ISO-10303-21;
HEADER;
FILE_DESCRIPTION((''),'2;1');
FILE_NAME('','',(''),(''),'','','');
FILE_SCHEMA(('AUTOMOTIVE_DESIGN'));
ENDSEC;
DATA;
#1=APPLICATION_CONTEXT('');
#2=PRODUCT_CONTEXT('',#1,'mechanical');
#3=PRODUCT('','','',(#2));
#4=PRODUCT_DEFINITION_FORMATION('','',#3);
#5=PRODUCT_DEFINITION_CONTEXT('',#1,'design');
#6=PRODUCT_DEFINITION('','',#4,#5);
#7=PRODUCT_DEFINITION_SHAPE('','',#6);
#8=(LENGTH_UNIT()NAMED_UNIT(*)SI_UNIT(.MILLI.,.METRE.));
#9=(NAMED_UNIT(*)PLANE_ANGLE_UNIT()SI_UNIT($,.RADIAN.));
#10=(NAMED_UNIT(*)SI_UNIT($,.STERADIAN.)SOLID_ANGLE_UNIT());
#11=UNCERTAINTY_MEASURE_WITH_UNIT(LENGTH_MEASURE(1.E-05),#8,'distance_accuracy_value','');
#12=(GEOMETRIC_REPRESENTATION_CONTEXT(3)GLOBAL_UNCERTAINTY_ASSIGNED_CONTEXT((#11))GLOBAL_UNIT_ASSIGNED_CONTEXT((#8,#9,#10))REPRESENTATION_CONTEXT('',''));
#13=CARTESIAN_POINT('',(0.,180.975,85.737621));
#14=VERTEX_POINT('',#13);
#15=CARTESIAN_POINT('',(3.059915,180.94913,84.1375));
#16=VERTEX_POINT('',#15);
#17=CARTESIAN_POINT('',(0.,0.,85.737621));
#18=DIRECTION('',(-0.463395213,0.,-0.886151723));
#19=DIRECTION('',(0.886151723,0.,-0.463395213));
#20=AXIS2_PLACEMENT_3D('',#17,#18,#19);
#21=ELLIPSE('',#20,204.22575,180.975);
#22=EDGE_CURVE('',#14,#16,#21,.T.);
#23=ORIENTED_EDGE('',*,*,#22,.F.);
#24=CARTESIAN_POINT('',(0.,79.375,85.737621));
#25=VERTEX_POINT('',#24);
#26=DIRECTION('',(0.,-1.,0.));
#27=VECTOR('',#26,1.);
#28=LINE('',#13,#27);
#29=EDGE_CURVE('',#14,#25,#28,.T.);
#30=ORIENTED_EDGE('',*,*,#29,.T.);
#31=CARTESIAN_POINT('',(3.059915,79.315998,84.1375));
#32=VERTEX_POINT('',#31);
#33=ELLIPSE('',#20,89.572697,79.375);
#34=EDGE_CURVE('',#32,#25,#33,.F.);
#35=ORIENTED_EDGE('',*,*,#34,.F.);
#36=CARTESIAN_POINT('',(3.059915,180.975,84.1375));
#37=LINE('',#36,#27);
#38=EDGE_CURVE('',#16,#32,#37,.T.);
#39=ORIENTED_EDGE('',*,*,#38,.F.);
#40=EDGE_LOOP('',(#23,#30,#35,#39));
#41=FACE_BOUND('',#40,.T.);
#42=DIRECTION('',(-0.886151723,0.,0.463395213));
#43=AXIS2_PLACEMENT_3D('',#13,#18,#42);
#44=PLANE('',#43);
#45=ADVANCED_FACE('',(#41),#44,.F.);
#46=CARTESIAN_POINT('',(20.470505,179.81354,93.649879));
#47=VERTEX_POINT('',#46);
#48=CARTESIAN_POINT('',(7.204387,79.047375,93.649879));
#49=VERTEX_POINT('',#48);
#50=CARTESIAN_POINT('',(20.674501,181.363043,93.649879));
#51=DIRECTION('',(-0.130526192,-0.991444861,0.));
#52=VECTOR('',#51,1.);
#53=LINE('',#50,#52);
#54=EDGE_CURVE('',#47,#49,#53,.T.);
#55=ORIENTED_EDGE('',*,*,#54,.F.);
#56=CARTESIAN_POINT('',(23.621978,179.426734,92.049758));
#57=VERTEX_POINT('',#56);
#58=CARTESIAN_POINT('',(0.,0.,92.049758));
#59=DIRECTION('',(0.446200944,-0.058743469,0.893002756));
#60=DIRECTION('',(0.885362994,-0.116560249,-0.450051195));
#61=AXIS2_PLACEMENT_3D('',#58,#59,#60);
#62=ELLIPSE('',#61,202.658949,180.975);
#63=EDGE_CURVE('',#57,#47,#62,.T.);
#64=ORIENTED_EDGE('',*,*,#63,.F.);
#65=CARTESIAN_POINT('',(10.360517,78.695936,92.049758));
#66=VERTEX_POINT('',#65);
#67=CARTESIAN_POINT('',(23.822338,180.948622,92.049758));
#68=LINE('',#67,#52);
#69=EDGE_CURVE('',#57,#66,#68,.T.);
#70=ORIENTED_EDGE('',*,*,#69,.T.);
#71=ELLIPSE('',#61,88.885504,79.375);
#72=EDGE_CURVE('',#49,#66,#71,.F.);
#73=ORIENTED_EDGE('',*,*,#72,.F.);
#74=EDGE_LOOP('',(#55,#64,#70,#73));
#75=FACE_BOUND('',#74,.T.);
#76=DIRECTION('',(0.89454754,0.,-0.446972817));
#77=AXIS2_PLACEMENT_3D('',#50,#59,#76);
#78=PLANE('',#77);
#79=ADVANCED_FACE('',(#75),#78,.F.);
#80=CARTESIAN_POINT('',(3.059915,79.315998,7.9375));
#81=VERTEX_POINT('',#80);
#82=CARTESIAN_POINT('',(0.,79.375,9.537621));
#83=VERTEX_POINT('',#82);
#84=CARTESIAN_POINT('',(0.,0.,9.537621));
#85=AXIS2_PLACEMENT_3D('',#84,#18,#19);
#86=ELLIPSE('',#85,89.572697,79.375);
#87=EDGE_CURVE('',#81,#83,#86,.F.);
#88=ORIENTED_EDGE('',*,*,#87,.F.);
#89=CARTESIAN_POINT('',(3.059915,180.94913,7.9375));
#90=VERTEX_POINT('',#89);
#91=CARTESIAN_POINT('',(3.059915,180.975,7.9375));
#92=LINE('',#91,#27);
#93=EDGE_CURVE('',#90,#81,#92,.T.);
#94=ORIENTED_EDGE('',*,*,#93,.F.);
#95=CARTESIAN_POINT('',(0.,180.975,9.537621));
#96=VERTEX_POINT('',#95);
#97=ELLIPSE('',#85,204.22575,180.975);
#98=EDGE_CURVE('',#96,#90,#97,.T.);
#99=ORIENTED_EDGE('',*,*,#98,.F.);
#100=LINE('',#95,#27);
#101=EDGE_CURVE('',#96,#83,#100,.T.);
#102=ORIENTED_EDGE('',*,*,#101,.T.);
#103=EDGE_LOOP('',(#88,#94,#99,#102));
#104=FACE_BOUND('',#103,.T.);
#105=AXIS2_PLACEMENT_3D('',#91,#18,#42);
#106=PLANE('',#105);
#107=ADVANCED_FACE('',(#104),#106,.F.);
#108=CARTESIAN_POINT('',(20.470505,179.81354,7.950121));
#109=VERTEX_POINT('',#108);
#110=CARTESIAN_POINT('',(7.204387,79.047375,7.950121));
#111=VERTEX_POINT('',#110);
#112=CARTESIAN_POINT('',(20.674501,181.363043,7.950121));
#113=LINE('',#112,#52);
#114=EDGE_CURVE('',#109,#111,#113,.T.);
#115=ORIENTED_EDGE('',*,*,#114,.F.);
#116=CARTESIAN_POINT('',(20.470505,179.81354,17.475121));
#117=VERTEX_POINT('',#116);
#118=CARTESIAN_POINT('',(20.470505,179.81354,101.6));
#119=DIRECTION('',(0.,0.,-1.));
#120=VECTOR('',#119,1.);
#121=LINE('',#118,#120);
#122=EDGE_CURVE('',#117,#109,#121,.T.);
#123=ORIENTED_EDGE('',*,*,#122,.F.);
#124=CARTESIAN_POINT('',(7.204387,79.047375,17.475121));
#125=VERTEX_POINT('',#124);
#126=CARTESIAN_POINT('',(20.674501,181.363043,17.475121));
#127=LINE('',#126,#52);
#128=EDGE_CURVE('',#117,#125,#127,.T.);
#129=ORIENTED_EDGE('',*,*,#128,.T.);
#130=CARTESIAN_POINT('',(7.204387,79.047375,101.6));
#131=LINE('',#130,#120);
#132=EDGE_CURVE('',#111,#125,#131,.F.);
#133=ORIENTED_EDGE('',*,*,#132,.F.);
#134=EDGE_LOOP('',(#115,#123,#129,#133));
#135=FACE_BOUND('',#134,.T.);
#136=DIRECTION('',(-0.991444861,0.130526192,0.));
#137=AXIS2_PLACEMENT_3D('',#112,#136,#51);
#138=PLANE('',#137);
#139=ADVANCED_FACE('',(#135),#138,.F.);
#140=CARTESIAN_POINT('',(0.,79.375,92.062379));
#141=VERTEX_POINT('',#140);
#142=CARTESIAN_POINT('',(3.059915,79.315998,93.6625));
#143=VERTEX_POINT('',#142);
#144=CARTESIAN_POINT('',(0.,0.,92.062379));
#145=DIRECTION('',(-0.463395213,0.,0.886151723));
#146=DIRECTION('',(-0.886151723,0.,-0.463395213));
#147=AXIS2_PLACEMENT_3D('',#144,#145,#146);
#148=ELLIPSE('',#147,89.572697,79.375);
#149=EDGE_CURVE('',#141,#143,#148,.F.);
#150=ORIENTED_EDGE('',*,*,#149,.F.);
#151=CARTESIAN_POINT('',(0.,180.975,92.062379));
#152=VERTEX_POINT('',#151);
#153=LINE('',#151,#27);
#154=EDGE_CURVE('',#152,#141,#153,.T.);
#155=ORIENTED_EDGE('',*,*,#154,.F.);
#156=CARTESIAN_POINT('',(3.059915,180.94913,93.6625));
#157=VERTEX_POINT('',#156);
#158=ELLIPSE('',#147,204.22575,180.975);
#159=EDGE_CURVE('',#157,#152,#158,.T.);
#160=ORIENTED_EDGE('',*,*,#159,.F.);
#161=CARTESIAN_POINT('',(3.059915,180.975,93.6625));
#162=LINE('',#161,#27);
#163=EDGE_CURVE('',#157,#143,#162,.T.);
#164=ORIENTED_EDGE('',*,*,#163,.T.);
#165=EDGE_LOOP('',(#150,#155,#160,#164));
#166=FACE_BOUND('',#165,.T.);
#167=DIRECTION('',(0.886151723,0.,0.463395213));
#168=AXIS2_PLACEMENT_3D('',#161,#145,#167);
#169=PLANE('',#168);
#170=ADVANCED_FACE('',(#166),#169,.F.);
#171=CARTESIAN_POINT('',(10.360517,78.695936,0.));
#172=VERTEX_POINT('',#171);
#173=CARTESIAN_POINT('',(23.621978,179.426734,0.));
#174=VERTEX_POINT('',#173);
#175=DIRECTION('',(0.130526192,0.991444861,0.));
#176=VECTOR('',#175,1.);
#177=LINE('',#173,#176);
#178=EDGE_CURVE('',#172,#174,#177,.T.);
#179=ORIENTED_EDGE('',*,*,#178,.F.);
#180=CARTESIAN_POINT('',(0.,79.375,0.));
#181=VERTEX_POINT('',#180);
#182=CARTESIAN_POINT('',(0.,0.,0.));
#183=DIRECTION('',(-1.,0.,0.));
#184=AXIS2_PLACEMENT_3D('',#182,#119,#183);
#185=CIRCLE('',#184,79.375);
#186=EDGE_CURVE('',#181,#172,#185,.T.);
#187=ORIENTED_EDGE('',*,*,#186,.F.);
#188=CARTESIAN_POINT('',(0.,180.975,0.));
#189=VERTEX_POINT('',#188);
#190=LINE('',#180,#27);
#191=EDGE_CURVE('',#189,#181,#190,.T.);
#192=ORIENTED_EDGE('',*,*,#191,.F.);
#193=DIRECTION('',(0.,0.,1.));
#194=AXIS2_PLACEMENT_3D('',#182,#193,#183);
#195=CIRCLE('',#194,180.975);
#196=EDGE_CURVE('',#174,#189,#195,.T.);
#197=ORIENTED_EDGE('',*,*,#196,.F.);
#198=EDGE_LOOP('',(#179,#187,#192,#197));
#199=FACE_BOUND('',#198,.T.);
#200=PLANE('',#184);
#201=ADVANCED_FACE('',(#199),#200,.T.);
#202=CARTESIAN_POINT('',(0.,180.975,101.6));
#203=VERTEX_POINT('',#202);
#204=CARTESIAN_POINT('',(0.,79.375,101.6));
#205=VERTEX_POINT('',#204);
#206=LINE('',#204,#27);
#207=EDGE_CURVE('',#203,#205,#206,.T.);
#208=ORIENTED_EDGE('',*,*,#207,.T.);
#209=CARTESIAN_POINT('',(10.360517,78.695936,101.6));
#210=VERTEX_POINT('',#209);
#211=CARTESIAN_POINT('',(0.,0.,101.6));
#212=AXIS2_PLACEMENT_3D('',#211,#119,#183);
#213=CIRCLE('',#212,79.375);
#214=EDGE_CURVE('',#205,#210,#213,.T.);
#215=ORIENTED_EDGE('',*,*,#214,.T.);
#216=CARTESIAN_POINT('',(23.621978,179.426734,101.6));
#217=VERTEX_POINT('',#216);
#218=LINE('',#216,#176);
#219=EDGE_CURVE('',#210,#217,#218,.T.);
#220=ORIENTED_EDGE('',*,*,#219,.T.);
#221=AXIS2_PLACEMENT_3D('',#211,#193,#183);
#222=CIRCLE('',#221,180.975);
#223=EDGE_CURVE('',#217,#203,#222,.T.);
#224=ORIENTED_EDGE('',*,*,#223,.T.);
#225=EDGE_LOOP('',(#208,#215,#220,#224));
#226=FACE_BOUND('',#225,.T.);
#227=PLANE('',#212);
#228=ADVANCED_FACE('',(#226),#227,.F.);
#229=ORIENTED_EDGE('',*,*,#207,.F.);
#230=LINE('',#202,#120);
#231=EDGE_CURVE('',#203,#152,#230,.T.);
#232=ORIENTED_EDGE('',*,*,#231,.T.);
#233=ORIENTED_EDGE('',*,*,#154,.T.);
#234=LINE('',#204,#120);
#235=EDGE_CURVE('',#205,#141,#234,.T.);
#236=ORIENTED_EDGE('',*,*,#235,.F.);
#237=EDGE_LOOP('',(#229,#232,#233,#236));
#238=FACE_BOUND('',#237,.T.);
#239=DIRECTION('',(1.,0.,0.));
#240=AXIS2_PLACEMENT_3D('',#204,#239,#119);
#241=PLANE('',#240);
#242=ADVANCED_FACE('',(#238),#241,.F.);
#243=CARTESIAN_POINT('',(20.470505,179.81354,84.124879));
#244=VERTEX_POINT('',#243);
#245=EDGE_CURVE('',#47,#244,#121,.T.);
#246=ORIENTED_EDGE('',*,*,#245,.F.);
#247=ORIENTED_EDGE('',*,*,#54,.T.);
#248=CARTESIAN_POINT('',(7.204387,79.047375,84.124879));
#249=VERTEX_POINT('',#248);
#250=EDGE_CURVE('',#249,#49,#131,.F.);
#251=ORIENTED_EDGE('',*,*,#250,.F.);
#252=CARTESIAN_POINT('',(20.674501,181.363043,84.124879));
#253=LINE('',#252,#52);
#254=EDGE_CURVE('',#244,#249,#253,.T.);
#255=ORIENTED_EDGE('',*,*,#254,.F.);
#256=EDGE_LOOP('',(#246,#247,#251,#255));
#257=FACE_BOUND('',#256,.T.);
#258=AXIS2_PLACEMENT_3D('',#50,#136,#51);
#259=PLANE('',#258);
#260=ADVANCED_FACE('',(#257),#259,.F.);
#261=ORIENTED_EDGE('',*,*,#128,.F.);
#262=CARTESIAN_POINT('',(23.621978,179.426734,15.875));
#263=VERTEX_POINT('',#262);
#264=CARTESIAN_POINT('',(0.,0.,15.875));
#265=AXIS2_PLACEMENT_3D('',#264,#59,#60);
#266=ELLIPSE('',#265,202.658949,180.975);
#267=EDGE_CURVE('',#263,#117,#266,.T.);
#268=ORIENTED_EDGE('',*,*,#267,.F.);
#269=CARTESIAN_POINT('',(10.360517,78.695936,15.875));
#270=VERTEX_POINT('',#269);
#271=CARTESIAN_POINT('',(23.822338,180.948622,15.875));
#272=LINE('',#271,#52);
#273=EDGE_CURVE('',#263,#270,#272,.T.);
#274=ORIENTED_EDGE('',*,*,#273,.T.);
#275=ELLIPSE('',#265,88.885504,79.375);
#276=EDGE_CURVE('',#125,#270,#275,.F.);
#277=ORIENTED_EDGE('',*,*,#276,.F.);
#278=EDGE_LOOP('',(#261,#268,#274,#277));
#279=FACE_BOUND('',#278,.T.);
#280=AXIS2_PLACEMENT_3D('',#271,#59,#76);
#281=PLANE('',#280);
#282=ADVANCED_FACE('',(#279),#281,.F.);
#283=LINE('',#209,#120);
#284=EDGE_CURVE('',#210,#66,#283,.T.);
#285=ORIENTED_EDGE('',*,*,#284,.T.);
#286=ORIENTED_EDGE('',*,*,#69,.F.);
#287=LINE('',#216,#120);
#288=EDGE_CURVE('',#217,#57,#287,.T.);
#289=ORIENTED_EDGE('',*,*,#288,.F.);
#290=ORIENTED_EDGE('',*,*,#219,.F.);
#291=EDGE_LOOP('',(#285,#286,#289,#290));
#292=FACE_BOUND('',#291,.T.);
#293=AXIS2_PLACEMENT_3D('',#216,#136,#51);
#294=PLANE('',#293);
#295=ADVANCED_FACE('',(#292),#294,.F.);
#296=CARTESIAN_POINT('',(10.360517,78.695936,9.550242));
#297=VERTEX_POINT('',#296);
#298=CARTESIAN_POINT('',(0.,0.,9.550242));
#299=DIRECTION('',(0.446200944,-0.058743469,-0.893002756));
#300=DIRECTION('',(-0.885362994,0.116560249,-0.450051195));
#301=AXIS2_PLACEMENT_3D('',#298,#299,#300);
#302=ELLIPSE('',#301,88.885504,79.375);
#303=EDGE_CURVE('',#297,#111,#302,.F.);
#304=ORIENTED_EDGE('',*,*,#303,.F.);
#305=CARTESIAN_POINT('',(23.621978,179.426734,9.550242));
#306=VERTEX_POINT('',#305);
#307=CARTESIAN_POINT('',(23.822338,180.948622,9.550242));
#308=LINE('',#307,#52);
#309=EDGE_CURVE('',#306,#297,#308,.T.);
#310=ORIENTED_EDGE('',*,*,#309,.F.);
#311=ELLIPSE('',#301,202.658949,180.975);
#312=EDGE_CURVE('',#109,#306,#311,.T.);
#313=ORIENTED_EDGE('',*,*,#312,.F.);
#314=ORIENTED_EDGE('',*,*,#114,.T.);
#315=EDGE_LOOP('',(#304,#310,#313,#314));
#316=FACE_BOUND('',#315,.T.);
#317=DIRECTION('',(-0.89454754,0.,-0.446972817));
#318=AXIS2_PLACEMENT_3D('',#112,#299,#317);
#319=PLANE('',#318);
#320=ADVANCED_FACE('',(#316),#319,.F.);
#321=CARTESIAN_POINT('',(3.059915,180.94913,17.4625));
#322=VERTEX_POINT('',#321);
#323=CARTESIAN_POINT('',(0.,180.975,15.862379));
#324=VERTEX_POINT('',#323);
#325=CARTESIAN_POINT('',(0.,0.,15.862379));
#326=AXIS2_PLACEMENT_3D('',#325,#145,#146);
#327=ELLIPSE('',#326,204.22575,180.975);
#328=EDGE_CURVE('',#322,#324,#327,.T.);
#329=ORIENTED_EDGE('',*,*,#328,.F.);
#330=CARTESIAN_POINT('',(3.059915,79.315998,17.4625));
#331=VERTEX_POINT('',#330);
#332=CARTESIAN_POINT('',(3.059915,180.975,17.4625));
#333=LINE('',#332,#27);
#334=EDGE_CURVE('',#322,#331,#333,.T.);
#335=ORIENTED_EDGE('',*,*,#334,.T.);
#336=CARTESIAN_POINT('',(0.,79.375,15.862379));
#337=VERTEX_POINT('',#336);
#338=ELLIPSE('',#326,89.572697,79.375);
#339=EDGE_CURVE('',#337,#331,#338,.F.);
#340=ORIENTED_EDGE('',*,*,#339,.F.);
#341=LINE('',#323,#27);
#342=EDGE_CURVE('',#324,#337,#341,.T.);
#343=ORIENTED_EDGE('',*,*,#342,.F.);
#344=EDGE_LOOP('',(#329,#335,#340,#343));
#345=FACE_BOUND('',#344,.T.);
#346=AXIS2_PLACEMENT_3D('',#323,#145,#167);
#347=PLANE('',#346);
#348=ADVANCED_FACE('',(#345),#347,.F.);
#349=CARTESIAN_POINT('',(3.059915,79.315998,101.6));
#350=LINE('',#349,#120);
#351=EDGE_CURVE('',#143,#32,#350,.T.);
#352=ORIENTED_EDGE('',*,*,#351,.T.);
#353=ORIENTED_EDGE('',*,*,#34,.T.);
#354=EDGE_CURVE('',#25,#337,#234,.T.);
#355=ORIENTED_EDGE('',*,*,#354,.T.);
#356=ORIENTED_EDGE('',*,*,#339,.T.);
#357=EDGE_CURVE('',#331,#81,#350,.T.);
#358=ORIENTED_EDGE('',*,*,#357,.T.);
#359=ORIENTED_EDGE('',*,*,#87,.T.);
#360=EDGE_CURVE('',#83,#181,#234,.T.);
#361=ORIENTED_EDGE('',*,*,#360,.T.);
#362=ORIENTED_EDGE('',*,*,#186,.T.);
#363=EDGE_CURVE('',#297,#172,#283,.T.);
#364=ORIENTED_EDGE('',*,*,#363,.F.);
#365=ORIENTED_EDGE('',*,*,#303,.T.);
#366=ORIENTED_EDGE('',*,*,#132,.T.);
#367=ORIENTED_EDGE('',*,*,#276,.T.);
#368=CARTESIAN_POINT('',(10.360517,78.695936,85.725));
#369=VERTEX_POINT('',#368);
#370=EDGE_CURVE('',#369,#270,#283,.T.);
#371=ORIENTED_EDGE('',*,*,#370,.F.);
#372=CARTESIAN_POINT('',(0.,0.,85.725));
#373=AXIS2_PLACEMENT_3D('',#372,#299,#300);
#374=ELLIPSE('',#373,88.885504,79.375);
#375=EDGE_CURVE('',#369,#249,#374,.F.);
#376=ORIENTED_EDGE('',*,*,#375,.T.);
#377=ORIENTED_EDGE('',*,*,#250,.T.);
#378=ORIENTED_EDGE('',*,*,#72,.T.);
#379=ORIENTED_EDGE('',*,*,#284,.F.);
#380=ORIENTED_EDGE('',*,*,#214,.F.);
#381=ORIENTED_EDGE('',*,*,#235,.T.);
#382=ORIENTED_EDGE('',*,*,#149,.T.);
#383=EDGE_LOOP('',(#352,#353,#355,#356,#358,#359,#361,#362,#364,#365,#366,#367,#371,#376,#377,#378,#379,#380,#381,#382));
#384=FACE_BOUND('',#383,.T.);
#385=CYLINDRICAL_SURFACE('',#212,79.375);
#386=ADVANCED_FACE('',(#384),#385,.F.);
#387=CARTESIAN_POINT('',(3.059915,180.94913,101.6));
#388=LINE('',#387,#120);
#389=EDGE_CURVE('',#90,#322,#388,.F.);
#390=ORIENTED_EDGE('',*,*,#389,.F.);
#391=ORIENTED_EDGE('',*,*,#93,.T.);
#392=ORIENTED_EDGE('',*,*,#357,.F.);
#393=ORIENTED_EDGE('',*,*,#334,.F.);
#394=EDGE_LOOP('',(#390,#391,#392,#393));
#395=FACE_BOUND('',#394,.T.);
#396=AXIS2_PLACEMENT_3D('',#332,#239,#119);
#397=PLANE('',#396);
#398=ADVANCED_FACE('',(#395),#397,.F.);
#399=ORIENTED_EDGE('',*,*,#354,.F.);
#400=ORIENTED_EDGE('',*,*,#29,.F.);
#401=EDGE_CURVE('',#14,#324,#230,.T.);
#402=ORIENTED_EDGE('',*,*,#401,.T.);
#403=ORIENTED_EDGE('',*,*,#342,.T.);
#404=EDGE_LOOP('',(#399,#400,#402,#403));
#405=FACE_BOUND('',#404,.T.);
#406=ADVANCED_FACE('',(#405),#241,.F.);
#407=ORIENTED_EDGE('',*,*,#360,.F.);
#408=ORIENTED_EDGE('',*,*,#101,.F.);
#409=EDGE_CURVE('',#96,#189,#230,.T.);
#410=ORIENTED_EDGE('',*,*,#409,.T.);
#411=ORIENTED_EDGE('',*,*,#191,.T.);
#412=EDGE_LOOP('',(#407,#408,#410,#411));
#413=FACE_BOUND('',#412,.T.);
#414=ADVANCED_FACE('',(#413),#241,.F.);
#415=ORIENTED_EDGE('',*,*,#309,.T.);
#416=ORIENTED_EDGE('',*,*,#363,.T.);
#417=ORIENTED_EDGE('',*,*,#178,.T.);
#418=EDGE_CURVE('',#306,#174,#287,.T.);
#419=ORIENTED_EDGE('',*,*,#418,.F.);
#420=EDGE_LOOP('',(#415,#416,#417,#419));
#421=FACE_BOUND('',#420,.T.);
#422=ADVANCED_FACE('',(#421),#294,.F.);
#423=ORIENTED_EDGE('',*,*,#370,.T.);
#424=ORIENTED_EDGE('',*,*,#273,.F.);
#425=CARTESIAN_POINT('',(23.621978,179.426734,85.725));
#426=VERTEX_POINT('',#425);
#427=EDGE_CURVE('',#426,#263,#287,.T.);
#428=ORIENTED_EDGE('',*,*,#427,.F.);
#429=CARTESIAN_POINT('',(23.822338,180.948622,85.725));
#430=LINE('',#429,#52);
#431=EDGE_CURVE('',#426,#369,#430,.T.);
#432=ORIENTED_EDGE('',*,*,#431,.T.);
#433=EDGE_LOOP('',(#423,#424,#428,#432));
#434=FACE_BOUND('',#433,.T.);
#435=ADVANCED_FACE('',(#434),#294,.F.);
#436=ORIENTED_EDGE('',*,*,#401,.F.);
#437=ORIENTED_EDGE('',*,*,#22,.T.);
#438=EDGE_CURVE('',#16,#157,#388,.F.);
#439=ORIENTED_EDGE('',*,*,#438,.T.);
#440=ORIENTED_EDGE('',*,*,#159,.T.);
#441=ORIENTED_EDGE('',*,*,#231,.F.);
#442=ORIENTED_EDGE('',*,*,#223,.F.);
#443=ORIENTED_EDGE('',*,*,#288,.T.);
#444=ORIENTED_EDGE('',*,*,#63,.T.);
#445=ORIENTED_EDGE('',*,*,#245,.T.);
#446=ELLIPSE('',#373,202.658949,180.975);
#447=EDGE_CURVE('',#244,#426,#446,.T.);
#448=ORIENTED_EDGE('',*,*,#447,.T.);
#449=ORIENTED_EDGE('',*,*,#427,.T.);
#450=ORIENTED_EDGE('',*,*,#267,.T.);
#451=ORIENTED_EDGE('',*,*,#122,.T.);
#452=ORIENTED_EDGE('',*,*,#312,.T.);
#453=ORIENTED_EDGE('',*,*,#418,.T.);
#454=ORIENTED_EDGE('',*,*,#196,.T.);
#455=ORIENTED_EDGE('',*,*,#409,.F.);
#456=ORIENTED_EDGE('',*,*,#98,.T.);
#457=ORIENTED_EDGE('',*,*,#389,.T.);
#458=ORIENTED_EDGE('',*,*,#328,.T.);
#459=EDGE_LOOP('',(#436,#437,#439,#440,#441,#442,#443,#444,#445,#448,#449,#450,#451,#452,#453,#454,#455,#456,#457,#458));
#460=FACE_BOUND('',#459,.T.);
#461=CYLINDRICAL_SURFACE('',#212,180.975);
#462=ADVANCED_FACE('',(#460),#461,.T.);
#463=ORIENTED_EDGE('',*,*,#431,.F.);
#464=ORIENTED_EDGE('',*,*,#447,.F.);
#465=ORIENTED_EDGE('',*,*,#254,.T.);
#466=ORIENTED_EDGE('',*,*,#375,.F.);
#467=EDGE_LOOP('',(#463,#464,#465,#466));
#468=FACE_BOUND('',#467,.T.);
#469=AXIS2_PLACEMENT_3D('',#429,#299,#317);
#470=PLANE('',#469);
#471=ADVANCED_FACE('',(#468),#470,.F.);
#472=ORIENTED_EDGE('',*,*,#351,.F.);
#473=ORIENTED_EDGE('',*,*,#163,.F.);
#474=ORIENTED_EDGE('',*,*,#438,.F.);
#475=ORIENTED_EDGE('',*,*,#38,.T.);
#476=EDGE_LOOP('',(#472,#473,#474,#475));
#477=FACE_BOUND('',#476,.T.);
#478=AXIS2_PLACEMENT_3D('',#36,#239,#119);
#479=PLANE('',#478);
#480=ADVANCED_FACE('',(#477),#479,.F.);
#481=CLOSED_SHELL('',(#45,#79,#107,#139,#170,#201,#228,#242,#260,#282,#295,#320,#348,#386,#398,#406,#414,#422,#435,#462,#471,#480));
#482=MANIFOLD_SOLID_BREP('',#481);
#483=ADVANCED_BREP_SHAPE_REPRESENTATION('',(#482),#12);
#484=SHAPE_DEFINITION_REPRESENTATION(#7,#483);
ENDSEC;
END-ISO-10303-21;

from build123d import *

# Parameters (mm, degrees)
BOSS_EXTRUDE1_DEPTH     = 101.6
CUT_EXTRUDE1_DEPTH      = 2.352318769
CUT_EXTRUDE1_DEPTH_BACK = 104.135020581
CUT_EXTRUDE2_DEPTH      = 1.679064128
CUT_EXTRUDE2_DEPTH_BACK = 102.6


with BuildPart() as part:
    # Sketch1 → Boss-Extrude1 (new body)
    with BuildSketch(Plane.XY):
        with BuildLine():
            Line((0, 79.375), (0, 180.975))
            ThreePointArc((0, 180.975), (11.836331312, 180.587518633), (23.621977637, 179.426733787))
            Line((23.621977637, 179.426733787), (10.360516507, 78.695935872))
            ThreePointArc((10.360516507, 78.695935872), (5.191373383, 79.205052032), (0, 79.375))
        make_face()
    extrude(amount=BOSS_EXTRUDE1_DEPTH)

    # Sketch5 → Cut-Extrude1 (cut, two sides)
    with BuildSketch(Plane(origin=(10.360516507, 78.695935872, 0), x_dir=(0, 0, -1), z_dir=(-0.130526192, -0.991444861, 0))) as cut_extrude1_sk:
        Polygon((-93.64987891, -3.175), (-84.12487891, -3.175), (-85.725, 0), (-92.04975782, 0), align=None)
        Polygon((-15.875, 0), (-17.47512109, -3.175), (-7.95012109, -3.175), (-9.55024218, 0), align=None)
    extrude(amount=CUT_EXTRUDE1_DEPTH, mode=Mode.SUBTRACT)
    extrude(cut_extrude1_sk.sketch, amount=-CUT_EXTRUDE1_DEPTH_BACK, mode=Mode.SUBTRACT)

    # Sketch6 → Cut-Extrude2 (cut, two sides)
    with BuildSketch(Plane(origin=(0, 79.375, 0), x_dir=(0, 0, -1), z_dir=(0, -1, 0))) as cut_extrude2_sk:
        Polygon((-84.1375, 3.059915209), (-93.6625, 3.059915209), (-92.06237891, 0), (-85.73762109, 0), align=None)
        Polygon((-15.86237891, 0), (-17.4625, 3.059915209), (-7.9375, 3.059915209), (-9.53762109, 0), align=None)
    extrude(amount=CUT_EXTRUDE2_DEPTH, mode=Mode.SUBTRACT)
    extrude(cut_extrude2_sk.sketch, amount=-CUT_EXTRUDE2_DEPTH_BACK, mode=Mode.SUBTRACT)


solid = part.part
